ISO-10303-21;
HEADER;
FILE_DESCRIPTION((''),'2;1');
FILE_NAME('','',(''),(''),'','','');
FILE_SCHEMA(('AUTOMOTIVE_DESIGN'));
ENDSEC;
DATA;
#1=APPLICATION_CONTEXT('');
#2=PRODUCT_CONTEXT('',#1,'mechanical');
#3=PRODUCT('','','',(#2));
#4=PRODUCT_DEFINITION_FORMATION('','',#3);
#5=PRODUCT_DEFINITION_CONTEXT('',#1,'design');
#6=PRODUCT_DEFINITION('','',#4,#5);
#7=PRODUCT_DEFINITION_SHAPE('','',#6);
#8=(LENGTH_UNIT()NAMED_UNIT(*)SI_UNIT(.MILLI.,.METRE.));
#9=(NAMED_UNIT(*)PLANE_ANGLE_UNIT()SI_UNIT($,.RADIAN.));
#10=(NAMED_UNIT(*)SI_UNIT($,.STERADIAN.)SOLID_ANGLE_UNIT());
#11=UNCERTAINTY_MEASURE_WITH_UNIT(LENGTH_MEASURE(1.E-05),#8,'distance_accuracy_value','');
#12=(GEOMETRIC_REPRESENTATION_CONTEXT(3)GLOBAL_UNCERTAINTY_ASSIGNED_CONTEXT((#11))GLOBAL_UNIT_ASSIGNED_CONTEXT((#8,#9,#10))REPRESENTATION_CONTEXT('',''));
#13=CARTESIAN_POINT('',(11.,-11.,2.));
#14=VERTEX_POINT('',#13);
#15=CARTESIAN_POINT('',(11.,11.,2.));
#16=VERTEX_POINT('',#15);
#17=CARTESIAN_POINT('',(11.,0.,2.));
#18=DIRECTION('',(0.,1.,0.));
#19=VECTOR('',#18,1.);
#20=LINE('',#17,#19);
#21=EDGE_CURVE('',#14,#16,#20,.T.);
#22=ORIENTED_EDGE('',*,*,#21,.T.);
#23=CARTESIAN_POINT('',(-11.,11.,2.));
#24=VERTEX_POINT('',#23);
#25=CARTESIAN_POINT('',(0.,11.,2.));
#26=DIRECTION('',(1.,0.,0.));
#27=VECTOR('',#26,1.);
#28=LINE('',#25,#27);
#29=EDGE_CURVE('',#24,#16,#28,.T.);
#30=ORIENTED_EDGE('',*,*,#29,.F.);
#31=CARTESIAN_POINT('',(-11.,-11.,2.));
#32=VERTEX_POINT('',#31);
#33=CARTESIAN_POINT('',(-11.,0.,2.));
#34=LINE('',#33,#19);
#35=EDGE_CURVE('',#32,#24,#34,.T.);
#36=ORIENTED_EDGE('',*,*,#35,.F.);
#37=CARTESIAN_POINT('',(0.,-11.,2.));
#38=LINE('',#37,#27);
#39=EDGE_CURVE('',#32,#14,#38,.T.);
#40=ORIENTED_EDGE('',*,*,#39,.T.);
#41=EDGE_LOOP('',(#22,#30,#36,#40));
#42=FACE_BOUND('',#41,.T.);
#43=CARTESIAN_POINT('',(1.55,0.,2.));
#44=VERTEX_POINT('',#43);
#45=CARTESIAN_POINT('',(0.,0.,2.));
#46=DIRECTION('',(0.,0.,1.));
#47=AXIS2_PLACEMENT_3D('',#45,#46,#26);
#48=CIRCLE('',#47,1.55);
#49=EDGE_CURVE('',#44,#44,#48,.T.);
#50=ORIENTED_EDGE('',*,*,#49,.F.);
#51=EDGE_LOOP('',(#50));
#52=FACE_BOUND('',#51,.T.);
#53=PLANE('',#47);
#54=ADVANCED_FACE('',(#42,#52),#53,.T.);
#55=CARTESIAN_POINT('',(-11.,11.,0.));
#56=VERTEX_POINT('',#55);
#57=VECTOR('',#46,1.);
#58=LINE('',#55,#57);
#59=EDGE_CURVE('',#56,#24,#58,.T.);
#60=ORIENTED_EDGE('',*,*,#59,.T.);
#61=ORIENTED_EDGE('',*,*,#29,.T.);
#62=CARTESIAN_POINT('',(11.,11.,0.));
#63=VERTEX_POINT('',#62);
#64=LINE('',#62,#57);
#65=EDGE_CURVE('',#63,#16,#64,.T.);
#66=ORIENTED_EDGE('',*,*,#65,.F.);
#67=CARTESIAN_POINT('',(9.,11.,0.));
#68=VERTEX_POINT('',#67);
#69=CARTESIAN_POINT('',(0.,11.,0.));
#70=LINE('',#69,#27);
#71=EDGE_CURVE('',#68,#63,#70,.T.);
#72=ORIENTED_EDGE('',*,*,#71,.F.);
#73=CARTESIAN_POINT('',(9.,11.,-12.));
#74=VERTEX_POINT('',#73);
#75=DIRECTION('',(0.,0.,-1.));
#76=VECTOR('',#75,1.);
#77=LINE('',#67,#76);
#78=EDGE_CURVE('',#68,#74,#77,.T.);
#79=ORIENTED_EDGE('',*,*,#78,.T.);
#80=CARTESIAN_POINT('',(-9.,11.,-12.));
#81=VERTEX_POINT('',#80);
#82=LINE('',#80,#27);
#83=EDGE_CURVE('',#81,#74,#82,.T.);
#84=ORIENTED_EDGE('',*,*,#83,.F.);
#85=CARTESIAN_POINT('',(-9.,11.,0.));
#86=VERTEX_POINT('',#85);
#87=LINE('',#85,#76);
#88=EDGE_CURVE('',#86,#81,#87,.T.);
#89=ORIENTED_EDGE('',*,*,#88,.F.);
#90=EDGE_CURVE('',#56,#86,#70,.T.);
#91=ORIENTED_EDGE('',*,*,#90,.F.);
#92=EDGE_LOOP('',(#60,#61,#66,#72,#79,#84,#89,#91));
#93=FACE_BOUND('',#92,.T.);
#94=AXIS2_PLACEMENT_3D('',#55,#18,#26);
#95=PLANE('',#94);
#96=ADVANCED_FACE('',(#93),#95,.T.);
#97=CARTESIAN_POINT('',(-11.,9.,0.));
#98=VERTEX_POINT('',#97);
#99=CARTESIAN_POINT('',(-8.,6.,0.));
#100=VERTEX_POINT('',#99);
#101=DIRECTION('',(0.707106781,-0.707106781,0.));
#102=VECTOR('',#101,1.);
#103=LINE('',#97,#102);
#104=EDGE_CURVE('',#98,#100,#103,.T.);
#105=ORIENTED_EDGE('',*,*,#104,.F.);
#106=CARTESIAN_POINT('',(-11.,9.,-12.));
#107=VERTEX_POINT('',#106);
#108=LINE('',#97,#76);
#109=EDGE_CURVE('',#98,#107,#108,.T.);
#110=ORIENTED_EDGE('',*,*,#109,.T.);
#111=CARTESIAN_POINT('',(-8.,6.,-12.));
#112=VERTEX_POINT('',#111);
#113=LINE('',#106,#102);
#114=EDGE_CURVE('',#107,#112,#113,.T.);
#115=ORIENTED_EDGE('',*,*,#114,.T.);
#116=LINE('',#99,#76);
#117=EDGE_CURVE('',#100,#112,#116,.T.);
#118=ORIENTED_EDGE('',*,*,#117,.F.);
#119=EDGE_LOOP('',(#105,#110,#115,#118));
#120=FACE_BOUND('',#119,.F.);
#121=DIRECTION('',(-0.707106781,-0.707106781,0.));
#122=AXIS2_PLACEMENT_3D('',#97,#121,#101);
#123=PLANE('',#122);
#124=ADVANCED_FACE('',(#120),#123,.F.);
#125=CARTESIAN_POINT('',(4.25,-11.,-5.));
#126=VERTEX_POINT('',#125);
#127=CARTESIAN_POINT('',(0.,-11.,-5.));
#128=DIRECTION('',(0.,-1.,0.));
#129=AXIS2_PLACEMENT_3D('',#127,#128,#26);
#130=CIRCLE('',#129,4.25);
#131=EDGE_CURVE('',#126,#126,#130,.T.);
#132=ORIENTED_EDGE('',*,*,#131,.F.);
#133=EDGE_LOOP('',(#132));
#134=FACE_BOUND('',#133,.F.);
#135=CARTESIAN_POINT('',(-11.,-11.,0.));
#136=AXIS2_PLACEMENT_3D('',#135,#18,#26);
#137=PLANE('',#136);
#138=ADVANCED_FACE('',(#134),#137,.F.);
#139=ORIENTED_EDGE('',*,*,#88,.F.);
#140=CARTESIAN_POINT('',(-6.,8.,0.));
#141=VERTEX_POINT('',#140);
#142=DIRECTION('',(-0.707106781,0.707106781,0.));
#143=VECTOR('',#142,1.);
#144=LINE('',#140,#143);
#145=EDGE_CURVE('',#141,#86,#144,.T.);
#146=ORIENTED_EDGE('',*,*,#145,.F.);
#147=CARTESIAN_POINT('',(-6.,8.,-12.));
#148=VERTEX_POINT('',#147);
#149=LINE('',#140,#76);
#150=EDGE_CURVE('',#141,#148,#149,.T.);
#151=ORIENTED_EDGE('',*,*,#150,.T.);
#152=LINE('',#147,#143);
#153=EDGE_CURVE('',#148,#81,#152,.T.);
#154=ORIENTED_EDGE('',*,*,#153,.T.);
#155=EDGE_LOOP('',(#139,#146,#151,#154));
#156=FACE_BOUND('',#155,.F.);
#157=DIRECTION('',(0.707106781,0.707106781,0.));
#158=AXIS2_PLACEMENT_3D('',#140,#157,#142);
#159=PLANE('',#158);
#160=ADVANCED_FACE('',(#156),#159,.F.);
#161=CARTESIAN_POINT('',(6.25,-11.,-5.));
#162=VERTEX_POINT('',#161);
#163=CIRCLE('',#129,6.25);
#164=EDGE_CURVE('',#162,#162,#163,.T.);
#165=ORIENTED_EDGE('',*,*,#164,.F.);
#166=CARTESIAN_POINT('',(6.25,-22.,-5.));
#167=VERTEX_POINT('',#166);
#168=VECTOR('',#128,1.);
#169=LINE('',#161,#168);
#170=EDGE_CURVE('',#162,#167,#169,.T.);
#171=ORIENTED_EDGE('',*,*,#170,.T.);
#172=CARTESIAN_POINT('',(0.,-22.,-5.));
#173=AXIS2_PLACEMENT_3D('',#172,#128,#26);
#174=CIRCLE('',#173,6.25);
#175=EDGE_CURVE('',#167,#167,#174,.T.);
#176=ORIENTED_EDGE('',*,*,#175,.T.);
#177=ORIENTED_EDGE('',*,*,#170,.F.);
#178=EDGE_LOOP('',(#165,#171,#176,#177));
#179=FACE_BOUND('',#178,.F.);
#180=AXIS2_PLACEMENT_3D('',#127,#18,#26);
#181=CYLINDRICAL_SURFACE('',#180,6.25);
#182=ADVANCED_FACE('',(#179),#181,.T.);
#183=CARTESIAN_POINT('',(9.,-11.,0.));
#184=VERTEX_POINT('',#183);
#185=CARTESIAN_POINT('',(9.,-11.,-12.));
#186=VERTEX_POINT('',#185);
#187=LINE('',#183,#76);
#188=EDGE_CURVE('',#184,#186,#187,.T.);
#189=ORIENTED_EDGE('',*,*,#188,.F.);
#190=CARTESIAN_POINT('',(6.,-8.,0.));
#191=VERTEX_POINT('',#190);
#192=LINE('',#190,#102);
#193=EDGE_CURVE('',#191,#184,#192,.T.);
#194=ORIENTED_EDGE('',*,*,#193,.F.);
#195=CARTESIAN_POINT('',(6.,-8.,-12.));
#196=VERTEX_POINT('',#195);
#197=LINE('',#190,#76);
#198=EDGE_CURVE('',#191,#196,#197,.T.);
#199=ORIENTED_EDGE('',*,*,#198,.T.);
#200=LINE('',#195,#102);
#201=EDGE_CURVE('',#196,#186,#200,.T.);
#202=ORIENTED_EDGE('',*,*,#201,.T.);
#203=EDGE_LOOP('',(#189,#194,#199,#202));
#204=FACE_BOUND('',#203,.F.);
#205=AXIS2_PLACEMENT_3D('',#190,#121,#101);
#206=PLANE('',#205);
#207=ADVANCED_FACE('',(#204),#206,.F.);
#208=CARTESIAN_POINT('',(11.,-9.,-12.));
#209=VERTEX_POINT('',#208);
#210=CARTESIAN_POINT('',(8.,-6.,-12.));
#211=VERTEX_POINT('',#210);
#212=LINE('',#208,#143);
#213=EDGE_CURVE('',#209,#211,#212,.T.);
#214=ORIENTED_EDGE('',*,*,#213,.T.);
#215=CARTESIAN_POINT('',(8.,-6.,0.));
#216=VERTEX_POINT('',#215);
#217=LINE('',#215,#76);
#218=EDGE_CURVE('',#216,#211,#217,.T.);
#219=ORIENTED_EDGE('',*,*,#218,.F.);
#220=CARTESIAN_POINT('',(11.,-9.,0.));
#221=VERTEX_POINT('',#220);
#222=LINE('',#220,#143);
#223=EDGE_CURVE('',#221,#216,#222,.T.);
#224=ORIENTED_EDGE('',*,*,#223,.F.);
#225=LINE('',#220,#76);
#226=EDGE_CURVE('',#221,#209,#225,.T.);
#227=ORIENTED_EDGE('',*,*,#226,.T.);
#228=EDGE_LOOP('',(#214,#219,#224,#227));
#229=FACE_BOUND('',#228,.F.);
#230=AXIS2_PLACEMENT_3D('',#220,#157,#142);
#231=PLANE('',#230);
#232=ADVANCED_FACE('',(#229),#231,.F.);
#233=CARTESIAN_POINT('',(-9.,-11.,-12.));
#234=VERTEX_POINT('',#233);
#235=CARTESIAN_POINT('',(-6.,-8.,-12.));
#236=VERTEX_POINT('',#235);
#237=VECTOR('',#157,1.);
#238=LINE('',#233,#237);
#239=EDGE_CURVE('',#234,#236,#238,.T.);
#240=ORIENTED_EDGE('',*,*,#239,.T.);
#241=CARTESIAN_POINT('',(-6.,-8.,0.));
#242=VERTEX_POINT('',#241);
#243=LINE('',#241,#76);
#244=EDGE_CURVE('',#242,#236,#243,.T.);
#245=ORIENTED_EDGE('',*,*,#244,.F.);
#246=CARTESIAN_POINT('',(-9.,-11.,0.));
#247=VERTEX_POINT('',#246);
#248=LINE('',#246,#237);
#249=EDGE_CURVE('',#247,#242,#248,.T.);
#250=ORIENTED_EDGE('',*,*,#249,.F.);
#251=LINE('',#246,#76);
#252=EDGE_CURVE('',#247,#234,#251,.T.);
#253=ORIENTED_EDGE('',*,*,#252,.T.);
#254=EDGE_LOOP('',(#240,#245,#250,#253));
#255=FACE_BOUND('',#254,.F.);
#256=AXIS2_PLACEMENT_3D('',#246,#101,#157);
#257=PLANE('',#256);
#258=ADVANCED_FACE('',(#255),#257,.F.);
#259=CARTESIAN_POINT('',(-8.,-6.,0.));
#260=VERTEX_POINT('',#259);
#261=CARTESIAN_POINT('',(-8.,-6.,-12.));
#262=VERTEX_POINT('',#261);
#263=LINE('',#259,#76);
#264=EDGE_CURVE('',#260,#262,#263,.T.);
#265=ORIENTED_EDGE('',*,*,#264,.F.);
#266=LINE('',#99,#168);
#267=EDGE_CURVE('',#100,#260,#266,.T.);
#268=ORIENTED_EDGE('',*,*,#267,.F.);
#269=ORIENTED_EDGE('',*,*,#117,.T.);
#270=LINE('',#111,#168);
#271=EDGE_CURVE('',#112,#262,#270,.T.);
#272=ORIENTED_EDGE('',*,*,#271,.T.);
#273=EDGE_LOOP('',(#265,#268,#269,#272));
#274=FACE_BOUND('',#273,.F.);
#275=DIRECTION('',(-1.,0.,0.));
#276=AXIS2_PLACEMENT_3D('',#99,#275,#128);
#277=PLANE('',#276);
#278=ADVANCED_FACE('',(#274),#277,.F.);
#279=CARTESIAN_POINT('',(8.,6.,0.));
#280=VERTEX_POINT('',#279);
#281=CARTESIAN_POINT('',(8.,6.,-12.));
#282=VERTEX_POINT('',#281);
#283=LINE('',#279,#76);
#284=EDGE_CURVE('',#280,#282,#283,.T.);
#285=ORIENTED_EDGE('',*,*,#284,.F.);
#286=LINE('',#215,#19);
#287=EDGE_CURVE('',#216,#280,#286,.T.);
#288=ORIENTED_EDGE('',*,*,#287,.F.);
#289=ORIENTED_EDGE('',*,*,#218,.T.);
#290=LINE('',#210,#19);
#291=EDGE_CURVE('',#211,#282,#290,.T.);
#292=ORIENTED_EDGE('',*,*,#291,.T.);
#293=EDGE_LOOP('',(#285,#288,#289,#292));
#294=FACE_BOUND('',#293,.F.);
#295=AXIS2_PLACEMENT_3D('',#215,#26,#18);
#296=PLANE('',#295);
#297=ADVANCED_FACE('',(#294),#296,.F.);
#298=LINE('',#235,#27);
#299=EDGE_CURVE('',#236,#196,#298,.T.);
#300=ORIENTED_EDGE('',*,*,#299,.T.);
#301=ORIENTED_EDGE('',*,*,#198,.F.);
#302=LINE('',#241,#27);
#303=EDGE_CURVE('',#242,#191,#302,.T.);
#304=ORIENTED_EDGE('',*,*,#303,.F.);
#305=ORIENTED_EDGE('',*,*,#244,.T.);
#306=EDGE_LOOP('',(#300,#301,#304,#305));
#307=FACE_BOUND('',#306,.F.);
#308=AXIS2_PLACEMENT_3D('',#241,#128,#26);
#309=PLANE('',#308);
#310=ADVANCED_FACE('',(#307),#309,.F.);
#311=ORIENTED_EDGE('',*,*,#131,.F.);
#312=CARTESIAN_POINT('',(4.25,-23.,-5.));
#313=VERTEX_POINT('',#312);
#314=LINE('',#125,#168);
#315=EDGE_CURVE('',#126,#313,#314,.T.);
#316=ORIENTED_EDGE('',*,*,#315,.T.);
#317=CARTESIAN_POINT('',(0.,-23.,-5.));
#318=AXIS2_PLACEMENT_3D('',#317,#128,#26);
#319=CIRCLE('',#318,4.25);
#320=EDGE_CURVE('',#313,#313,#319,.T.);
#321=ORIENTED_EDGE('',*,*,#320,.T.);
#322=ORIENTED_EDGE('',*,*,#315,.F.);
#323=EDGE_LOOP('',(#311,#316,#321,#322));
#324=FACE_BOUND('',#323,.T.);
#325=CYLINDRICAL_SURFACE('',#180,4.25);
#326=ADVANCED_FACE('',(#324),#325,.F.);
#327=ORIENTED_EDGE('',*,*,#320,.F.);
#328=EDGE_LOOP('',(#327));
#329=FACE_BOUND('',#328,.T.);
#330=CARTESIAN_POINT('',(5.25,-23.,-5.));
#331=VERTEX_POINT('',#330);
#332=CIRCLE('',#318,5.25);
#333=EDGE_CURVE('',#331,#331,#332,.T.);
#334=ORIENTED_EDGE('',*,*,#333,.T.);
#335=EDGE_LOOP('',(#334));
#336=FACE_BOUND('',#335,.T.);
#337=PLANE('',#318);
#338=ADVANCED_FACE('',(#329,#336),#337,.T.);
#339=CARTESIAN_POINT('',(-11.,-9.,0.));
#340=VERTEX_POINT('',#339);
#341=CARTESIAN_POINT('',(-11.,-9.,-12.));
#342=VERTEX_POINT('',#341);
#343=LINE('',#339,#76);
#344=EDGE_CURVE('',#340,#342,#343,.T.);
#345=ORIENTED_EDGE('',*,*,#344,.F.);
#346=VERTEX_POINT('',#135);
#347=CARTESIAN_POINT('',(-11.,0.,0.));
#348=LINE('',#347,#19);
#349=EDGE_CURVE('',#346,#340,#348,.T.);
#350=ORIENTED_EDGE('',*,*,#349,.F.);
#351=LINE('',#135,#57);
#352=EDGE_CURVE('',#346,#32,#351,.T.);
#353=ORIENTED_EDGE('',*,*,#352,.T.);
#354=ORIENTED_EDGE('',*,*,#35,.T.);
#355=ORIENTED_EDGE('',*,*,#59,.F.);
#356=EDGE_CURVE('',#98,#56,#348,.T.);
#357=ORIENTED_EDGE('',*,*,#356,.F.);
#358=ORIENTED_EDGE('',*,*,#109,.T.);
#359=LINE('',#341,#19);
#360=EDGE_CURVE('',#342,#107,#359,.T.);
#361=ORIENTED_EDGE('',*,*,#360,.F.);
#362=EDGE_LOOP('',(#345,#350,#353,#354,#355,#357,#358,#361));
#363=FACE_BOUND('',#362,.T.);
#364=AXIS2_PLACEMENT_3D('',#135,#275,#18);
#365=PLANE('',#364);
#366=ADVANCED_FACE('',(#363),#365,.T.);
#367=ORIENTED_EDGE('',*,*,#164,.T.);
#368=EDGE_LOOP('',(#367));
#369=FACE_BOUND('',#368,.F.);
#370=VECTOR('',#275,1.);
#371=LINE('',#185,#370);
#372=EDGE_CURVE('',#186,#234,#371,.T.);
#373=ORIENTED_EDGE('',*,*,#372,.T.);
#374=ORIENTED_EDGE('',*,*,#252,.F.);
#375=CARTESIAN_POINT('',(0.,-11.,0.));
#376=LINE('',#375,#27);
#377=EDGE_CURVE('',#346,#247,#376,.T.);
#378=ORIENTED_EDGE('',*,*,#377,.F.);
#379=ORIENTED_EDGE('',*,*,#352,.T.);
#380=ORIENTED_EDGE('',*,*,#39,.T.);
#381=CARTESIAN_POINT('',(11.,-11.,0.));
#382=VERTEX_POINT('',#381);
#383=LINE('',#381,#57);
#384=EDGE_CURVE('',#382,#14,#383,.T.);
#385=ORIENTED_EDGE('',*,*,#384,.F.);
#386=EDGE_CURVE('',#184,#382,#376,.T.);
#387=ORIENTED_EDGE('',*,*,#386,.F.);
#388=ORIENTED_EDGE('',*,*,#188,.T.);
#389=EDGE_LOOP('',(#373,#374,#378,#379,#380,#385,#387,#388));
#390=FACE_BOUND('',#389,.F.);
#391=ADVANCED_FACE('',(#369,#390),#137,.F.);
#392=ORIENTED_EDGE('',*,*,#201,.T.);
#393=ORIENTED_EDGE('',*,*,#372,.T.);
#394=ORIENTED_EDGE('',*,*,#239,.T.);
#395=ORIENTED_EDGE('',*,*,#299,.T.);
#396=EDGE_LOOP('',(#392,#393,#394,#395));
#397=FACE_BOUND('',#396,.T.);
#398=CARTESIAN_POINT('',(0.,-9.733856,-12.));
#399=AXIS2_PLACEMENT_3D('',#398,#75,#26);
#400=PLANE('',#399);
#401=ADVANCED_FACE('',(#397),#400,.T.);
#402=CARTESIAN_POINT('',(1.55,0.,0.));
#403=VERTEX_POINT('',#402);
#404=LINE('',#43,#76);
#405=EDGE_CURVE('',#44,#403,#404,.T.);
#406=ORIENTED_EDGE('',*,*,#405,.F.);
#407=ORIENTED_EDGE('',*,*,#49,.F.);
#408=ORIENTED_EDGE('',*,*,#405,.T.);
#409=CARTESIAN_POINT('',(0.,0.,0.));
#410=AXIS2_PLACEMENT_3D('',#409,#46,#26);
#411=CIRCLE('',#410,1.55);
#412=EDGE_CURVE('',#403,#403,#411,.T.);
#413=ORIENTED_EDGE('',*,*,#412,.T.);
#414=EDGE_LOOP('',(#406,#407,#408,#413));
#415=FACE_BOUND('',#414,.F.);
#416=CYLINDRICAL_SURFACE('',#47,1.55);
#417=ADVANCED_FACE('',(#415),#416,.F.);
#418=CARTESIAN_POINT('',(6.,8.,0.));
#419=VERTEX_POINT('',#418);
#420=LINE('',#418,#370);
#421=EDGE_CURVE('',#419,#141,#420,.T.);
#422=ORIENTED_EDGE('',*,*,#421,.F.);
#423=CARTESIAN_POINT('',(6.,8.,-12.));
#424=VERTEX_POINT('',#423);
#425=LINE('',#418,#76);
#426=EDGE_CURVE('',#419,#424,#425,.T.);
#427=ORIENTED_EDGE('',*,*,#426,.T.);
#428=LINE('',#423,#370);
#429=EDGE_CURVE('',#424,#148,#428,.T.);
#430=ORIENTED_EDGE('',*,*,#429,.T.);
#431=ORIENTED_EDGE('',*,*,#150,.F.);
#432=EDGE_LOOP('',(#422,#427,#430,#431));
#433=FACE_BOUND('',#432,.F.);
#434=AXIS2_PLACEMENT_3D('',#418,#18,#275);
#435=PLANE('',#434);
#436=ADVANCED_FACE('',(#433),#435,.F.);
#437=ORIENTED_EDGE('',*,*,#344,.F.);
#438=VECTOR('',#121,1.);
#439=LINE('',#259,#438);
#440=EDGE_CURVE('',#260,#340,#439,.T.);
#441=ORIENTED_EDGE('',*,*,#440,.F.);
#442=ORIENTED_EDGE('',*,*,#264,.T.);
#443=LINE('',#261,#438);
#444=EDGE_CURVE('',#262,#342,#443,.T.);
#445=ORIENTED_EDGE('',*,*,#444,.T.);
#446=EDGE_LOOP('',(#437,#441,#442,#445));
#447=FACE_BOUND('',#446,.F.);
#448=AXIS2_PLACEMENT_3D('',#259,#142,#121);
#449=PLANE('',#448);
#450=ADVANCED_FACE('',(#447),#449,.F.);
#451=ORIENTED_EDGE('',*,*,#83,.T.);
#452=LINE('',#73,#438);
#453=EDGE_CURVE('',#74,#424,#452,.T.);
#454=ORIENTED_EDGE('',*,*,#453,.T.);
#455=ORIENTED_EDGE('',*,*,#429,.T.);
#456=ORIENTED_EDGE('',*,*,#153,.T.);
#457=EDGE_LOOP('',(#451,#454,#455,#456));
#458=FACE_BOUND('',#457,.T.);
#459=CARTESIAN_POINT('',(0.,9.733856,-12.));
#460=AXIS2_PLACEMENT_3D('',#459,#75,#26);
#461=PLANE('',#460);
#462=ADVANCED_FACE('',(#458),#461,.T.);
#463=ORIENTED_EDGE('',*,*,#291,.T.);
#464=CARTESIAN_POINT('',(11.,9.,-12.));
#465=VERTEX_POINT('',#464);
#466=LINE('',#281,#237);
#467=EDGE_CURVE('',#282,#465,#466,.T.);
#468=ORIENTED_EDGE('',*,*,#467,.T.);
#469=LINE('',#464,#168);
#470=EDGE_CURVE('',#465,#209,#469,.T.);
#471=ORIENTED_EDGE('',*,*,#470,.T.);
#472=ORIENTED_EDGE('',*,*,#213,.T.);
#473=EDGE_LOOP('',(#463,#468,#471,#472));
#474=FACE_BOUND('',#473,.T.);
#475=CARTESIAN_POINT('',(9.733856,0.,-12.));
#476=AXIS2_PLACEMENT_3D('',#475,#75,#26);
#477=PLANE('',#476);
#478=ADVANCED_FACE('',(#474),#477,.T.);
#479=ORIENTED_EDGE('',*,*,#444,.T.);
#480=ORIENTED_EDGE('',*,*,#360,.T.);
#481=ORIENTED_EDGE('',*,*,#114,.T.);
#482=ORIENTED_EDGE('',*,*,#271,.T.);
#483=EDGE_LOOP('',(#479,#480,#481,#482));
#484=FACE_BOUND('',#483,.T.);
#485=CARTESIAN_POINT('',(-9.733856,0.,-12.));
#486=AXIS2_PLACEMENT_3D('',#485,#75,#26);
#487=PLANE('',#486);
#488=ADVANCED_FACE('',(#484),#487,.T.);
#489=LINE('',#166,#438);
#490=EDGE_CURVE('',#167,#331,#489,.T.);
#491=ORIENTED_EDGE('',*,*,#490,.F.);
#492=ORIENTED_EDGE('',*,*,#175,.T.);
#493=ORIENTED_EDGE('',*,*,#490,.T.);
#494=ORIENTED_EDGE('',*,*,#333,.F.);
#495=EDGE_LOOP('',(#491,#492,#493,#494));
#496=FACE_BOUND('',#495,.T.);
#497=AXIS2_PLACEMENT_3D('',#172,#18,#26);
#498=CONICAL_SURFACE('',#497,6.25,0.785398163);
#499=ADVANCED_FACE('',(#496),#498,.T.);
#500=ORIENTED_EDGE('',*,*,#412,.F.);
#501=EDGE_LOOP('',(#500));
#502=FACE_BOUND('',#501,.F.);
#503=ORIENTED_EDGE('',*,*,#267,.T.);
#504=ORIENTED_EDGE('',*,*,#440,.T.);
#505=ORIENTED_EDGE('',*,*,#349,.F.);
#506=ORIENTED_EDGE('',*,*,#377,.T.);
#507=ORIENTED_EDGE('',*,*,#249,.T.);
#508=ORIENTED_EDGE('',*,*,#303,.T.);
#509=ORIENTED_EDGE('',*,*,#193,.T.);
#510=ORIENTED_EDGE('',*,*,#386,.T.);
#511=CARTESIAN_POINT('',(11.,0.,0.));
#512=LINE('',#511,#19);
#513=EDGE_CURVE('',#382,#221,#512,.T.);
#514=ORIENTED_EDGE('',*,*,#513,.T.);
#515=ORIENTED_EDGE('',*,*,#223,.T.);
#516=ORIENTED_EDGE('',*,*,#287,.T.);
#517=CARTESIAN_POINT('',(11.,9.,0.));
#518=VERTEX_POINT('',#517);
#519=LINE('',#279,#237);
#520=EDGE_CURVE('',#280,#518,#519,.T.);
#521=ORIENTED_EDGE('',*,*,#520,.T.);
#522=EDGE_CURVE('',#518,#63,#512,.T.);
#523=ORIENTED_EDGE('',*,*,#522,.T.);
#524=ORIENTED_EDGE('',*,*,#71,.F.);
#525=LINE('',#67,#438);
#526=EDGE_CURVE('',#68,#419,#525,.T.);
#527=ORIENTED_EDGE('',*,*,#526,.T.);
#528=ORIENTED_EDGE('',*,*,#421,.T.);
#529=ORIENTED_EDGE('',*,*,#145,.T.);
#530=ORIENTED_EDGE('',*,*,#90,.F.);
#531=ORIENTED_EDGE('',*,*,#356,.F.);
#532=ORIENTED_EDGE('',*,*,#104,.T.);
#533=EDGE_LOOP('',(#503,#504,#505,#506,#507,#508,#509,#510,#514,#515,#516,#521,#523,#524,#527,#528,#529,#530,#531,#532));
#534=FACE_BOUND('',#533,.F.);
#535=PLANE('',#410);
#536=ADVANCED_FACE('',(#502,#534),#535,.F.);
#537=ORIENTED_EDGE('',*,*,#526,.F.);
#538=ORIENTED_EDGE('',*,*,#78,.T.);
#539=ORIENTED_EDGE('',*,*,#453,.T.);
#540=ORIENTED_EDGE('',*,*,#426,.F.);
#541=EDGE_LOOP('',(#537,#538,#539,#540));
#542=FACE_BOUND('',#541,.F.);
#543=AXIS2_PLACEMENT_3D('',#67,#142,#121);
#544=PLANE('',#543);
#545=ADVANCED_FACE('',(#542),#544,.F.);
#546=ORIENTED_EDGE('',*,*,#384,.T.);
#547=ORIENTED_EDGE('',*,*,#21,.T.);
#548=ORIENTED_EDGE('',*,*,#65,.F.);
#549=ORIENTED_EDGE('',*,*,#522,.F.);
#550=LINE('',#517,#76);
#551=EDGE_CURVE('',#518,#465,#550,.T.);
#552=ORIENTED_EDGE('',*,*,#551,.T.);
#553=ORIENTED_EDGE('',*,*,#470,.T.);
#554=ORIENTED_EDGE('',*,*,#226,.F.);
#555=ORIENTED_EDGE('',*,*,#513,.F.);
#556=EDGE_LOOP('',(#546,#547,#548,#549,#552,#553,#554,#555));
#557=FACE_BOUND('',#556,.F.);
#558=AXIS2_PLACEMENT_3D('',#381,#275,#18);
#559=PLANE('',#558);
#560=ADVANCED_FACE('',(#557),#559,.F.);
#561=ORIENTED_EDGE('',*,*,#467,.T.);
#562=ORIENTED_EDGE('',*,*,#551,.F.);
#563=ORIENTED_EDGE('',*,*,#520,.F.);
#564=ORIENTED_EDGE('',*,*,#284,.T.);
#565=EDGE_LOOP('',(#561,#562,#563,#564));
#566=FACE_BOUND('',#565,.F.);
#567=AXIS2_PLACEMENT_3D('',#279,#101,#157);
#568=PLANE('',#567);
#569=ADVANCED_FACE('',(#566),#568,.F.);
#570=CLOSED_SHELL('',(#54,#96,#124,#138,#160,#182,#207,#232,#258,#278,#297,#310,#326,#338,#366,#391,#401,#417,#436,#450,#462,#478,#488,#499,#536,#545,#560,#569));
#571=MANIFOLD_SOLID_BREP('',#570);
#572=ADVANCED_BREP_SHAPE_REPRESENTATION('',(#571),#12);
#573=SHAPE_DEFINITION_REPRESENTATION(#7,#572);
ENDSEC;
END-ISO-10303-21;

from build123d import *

# Parameters (mm, degrees)
F0_W     = 22
F0_H     = 22
F1_DEPTH = 2
F2_R     = 1.55
F3_DEPTH = 2.001
F5_DEPTH = 12
F6_R     = 6.25
F6_R_2   = 4.25
F7_DEPTH = 12
F8_SIZE  = 1


with BuildPart() as f1:
    # F0 (on Top) → F1 (new body)
    with BuildSketch(Plane.XY):
        Rectangle(F0_W, F0_H)
    extrude(amount=F1_DEPTH)

    # F2 (on face) → F3 (cut, through all)
    with BuildSketch(Plane.XY.offset(2)):
        Circle(F2_R)
    extrude(amount=-F3_DEPTH, mode=Mode.SUBTRACT)

    # F4 (on face) → F5 (join)
    with BuildSketch(Plane(origin=(0, 0, 0), x_dir=(1, 0, 0), z_dir=(0, 0, -1))):
        Polygon((9, 11), (-9, 11), (-6, 8), (6, 8), align=None)
        Polygon((-8, 6), (-11, 9), (-11, -9), (-8, -6), align=None)
        Polygon((-6, -8), (-9, -11), (9, -11), (6, -8), align=None)
        Polygon((8, -6), (11, -9), (11, 9), (8, 6), align=None)
    extrude(amount=F5_DEPTH)

    # F6 (on face) → F7 (join)
    with BuildSketch(Plane.XZ.offset(11)):
        with Locations((0, -5)):
            Circle(F6_R)
        with Locations((0, -5)):
            Circle(F6_R_2, mode=Mode.SUBTRACT)
    extrude(amount=F7_DEPTH)

    # F8
    f8_edges = [f1.edges().sort_by_distance(p)[0] for p in [
        (-6.25, -23, -5),
    ]]
    chamfer(f8_edges, length=F8_SIZE)


solid = f1.part
